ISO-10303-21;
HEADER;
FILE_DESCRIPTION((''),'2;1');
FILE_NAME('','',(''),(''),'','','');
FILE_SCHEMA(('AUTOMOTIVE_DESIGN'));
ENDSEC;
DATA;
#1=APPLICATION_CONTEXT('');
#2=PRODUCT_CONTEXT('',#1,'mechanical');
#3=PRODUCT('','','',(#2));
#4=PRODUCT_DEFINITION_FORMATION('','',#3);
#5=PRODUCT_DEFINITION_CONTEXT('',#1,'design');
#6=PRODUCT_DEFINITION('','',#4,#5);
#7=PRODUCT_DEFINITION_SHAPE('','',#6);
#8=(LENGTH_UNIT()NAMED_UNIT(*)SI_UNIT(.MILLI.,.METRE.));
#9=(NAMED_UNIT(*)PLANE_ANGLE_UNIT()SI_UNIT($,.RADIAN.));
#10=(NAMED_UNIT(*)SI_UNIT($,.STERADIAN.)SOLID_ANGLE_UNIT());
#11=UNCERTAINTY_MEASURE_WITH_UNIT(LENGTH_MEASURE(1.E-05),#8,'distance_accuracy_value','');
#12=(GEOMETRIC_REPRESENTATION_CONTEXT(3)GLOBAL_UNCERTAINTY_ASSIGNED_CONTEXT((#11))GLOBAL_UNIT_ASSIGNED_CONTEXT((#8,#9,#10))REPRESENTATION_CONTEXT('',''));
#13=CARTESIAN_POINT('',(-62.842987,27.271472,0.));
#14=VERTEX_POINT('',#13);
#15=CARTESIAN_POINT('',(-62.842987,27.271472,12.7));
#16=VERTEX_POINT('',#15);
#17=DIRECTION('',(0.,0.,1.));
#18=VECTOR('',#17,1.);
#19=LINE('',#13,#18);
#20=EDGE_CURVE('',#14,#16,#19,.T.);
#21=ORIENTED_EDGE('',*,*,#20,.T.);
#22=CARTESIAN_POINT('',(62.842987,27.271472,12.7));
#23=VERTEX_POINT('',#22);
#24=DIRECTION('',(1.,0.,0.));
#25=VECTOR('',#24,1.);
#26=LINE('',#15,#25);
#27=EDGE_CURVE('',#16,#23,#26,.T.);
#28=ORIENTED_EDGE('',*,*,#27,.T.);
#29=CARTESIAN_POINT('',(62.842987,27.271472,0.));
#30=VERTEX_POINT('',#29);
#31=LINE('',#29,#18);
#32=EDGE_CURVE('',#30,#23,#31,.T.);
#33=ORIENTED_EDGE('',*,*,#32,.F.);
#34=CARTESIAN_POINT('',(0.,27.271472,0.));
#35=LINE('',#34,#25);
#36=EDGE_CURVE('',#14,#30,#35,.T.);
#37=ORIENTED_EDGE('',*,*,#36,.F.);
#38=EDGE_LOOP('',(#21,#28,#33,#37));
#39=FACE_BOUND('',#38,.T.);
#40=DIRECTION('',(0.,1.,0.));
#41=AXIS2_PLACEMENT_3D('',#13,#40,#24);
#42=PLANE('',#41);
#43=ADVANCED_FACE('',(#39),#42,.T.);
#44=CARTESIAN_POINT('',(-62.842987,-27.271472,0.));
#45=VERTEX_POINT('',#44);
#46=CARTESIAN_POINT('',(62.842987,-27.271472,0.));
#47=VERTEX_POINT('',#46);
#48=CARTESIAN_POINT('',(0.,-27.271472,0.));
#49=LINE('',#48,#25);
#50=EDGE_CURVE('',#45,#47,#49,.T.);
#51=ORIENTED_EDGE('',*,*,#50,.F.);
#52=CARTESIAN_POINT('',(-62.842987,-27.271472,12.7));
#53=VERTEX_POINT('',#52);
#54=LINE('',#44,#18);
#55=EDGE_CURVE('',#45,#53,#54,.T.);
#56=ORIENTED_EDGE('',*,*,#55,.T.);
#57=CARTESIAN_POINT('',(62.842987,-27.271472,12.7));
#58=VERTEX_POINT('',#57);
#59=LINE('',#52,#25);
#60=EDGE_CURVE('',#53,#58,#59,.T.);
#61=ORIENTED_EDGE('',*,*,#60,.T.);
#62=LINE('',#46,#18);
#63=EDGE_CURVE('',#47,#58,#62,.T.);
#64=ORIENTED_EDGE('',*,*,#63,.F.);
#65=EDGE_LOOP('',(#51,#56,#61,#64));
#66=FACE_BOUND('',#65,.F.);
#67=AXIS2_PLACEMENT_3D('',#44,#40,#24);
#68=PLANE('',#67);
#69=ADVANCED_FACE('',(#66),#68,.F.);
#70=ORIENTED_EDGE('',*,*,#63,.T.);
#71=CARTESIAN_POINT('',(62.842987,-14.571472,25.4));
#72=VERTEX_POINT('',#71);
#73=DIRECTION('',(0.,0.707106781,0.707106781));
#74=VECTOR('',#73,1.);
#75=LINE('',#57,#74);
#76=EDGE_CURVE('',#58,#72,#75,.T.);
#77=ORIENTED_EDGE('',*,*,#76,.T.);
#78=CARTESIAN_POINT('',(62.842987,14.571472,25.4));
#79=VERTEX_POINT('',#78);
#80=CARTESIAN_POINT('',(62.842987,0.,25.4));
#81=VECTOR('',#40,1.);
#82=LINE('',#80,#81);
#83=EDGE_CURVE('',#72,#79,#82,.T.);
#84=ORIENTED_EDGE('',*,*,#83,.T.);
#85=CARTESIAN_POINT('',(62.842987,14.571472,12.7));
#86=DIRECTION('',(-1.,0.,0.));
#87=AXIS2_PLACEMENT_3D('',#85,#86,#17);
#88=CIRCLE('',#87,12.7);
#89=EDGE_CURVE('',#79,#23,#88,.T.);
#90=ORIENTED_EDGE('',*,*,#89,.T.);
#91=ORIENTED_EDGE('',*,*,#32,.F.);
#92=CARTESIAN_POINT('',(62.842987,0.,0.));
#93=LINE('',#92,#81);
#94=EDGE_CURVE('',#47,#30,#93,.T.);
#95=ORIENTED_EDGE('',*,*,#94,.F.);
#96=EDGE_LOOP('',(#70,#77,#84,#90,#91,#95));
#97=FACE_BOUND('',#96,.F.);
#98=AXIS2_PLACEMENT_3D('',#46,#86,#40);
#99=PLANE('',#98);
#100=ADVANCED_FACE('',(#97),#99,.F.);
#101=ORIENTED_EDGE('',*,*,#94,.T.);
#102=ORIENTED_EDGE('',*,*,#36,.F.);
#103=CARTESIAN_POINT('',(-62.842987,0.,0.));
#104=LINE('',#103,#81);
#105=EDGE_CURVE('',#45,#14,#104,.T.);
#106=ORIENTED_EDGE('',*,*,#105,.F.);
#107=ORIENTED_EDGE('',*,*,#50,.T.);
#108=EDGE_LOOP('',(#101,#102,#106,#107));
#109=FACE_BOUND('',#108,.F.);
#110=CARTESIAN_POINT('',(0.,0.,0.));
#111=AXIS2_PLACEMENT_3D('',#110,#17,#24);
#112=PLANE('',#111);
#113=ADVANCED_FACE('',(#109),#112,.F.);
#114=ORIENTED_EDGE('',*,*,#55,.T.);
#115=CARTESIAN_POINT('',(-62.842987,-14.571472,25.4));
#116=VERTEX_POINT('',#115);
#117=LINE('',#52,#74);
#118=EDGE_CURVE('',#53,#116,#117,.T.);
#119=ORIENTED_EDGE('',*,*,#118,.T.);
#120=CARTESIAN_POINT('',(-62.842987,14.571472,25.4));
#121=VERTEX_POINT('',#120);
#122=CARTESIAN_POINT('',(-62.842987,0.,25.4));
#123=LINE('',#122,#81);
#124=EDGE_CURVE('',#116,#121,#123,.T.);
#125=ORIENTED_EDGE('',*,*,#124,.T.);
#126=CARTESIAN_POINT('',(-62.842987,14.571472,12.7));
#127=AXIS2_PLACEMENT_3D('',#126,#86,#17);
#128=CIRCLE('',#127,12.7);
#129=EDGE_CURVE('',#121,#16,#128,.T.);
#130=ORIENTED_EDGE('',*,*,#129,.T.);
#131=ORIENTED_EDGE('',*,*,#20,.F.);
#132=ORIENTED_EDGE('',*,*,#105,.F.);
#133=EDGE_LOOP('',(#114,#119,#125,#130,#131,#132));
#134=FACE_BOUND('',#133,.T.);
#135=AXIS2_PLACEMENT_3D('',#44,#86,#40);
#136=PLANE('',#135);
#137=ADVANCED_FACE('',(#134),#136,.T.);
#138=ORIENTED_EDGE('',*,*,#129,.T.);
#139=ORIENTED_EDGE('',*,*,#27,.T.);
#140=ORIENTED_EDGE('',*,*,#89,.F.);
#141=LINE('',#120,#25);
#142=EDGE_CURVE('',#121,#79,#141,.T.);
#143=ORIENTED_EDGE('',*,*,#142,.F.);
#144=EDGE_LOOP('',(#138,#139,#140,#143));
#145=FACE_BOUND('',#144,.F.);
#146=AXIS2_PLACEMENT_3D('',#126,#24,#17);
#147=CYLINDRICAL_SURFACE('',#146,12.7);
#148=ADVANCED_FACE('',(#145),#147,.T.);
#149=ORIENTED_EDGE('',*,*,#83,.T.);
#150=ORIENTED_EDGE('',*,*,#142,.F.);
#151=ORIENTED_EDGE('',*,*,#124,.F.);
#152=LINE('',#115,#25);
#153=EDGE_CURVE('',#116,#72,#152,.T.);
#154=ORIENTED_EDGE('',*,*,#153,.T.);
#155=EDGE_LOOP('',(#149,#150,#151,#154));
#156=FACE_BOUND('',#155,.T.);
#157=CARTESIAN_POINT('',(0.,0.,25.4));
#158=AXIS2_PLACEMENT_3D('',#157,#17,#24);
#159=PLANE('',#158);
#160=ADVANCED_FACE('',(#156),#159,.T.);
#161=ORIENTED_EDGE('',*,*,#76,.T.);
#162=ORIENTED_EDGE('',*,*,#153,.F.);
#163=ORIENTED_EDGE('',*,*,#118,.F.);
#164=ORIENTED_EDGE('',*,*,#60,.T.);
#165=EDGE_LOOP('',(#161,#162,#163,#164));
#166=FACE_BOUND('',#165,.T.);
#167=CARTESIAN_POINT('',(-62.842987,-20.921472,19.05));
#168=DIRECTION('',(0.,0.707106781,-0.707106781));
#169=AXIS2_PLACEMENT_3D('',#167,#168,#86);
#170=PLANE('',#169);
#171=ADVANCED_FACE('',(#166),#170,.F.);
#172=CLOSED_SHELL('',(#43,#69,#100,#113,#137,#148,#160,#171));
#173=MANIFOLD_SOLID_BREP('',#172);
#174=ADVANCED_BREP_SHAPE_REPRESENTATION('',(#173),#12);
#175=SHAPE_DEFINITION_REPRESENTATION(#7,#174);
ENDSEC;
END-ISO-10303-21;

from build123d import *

# Parameters (mm, degrees)
F0_W     = 125.685974
F0_H     = 54.542944
F1_DEPTH = 25.4
F2_SIZE  = 12.7
F3_R     = 12.7


with BuildPart() as f1:
    # F0 (on Top) → F1 (new body)
    with BuildSketch(Plane.XY):
        Rectangle(F0_W, F0_H)
    extrude(amount=F1_DEPTH)

    # F2
    f2_edges = [f1.edges().sort_by_distance(p)[0] for p in [
        (0, -27.271472, 25.4),
    ]]
    chamfer(f2_edges, length=F2_SIZE)

    # F3
    f3_edges = [f1.edges().sort_by_distance(p)[0] for p in [
        (0, 27.271472, 25.4),
    ]]
    fillet(f3_edges, radius=F3_R)


solid = f1.part
